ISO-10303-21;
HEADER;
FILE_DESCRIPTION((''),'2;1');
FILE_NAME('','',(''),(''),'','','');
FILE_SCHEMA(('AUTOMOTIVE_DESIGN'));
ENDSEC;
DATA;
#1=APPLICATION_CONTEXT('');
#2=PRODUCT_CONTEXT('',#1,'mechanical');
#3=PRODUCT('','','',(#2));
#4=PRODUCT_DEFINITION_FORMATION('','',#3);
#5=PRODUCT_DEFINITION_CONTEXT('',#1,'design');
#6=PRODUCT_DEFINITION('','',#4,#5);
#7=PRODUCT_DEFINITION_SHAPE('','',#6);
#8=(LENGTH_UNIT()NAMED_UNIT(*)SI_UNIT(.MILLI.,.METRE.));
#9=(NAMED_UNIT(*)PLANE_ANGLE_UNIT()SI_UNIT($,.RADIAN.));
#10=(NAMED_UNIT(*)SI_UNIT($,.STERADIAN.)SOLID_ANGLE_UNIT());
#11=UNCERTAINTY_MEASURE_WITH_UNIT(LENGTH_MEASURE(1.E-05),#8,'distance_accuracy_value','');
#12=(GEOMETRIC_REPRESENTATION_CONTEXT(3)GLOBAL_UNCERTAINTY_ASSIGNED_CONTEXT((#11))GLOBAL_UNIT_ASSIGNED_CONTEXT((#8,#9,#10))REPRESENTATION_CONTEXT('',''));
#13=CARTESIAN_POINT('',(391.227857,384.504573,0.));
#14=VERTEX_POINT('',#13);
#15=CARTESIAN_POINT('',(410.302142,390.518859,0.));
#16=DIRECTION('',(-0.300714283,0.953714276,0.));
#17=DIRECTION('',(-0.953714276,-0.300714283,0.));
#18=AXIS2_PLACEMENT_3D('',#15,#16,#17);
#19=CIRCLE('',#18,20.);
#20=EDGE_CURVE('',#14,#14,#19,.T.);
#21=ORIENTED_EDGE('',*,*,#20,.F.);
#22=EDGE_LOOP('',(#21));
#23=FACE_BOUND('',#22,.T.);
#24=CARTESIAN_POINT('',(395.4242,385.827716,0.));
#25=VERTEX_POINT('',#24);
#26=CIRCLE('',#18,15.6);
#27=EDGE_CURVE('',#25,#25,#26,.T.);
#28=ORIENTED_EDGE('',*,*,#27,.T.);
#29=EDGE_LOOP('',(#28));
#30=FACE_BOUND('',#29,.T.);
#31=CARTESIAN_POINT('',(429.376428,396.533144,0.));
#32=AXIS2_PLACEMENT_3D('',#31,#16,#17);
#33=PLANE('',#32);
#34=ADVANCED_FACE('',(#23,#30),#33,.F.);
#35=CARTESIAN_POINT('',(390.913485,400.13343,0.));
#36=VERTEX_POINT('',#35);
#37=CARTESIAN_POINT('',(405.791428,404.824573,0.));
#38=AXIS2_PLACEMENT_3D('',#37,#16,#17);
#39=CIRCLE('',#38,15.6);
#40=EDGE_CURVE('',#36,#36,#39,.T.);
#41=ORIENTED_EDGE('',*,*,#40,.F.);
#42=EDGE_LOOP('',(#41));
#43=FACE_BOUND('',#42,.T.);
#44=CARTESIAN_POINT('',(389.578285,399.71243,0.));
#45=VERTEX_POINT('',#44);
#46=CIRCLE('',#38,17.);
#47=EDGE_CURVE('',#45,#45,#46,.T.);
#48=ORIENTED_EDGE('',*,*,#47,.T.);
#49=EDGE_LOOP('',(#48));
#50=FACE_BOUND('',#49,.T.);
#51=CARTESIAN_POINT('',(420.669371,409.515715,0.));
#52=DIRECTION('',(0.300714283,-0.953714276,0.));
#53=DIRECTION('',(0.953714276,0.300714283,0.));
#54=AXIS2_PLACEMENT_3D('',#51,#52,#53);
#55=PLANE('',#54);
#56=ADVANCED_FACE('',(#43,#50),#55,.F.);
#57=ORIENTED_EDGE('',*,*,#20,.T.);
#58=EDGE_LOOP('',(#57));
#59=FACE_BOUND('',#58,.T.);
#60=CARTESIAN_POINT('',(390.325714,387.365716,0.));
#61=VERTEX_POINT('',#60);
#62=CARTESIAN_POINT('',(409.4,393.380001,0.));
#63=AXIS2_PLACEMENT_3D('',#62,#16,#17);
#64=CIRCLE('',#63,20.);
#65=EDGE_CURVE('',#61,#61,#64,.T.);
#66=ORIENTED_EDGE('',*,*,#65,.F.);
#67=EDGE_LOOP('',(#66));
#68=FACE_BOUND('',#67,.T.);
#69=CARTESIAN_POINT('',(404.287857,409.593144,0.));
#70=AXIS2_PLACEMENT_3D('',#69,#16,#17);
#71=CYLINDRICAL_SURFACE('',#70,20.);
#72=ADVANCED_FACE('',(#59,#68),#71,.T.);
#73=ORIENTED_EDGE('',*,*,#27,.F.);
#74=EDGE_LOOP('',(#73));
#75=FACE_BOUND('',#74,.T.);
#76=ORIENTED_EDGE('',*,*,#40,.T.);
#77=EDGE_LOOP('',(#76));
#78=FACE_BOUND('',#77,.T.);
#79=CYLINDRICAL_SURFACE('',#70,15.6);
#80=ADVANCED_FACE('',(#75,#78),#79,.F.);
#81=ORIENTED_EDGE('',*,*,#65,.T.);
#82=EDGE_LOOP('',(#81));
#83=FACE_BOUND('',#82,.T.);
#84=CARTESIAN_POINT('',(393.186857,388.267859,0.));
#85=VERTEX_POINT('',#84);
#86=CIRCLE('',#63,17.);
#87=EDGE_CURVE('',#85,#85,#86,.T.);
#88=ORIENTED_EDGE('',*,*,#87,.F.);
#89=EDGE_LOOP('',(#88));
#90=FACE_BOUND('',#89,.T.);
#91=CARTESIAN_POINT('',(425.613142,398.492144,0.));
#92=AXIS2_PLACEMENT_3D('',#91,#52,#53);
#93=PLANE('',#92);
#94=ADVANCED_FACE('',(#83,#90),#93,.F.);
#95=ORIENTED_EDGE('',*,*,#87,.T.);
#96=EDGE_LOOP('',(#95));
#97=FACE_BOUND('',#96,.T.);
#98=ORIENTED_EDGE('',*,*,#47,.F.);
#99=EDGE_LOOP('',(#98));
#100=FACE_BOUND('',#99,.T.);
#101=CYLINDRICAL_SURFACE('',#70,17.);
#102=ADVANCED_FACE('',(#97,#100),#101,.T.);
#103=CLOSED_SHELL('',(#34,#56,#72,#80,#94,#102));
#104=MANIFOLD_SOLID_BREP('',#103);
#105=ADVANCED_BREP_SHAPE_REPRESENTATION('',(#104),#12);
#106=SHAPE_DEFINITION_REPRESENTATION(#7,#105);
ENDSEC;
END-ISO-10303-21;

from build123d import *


with BuildPart() as part:
    # Sk_Cazoleta → Cazoleta (revolve)
    with BuildSketch(Plane.XY, mode=Mode.PRIVATE) as cazoleta_sk:
        Polygon((420.669370884, 409.515715484), (422.00457087, 409.936715479), (425.613142262, 398.492144167), (428.47428509, 399.394287015), (429.376427938, 396.533144187), (425.180085124, 395.210001344), align=None)
    revolve(cazoleta_sk.sketch.rotate(Axis((404.287856765, 409.593144054, 0), (0.3007142826457708, -0.9537142759825081, 0)), 180), axis=Axis((404.287856765, 409.593144054, 0), (0.3007142826457708, -0.9537142759825081, 0)))


solid = part.part
